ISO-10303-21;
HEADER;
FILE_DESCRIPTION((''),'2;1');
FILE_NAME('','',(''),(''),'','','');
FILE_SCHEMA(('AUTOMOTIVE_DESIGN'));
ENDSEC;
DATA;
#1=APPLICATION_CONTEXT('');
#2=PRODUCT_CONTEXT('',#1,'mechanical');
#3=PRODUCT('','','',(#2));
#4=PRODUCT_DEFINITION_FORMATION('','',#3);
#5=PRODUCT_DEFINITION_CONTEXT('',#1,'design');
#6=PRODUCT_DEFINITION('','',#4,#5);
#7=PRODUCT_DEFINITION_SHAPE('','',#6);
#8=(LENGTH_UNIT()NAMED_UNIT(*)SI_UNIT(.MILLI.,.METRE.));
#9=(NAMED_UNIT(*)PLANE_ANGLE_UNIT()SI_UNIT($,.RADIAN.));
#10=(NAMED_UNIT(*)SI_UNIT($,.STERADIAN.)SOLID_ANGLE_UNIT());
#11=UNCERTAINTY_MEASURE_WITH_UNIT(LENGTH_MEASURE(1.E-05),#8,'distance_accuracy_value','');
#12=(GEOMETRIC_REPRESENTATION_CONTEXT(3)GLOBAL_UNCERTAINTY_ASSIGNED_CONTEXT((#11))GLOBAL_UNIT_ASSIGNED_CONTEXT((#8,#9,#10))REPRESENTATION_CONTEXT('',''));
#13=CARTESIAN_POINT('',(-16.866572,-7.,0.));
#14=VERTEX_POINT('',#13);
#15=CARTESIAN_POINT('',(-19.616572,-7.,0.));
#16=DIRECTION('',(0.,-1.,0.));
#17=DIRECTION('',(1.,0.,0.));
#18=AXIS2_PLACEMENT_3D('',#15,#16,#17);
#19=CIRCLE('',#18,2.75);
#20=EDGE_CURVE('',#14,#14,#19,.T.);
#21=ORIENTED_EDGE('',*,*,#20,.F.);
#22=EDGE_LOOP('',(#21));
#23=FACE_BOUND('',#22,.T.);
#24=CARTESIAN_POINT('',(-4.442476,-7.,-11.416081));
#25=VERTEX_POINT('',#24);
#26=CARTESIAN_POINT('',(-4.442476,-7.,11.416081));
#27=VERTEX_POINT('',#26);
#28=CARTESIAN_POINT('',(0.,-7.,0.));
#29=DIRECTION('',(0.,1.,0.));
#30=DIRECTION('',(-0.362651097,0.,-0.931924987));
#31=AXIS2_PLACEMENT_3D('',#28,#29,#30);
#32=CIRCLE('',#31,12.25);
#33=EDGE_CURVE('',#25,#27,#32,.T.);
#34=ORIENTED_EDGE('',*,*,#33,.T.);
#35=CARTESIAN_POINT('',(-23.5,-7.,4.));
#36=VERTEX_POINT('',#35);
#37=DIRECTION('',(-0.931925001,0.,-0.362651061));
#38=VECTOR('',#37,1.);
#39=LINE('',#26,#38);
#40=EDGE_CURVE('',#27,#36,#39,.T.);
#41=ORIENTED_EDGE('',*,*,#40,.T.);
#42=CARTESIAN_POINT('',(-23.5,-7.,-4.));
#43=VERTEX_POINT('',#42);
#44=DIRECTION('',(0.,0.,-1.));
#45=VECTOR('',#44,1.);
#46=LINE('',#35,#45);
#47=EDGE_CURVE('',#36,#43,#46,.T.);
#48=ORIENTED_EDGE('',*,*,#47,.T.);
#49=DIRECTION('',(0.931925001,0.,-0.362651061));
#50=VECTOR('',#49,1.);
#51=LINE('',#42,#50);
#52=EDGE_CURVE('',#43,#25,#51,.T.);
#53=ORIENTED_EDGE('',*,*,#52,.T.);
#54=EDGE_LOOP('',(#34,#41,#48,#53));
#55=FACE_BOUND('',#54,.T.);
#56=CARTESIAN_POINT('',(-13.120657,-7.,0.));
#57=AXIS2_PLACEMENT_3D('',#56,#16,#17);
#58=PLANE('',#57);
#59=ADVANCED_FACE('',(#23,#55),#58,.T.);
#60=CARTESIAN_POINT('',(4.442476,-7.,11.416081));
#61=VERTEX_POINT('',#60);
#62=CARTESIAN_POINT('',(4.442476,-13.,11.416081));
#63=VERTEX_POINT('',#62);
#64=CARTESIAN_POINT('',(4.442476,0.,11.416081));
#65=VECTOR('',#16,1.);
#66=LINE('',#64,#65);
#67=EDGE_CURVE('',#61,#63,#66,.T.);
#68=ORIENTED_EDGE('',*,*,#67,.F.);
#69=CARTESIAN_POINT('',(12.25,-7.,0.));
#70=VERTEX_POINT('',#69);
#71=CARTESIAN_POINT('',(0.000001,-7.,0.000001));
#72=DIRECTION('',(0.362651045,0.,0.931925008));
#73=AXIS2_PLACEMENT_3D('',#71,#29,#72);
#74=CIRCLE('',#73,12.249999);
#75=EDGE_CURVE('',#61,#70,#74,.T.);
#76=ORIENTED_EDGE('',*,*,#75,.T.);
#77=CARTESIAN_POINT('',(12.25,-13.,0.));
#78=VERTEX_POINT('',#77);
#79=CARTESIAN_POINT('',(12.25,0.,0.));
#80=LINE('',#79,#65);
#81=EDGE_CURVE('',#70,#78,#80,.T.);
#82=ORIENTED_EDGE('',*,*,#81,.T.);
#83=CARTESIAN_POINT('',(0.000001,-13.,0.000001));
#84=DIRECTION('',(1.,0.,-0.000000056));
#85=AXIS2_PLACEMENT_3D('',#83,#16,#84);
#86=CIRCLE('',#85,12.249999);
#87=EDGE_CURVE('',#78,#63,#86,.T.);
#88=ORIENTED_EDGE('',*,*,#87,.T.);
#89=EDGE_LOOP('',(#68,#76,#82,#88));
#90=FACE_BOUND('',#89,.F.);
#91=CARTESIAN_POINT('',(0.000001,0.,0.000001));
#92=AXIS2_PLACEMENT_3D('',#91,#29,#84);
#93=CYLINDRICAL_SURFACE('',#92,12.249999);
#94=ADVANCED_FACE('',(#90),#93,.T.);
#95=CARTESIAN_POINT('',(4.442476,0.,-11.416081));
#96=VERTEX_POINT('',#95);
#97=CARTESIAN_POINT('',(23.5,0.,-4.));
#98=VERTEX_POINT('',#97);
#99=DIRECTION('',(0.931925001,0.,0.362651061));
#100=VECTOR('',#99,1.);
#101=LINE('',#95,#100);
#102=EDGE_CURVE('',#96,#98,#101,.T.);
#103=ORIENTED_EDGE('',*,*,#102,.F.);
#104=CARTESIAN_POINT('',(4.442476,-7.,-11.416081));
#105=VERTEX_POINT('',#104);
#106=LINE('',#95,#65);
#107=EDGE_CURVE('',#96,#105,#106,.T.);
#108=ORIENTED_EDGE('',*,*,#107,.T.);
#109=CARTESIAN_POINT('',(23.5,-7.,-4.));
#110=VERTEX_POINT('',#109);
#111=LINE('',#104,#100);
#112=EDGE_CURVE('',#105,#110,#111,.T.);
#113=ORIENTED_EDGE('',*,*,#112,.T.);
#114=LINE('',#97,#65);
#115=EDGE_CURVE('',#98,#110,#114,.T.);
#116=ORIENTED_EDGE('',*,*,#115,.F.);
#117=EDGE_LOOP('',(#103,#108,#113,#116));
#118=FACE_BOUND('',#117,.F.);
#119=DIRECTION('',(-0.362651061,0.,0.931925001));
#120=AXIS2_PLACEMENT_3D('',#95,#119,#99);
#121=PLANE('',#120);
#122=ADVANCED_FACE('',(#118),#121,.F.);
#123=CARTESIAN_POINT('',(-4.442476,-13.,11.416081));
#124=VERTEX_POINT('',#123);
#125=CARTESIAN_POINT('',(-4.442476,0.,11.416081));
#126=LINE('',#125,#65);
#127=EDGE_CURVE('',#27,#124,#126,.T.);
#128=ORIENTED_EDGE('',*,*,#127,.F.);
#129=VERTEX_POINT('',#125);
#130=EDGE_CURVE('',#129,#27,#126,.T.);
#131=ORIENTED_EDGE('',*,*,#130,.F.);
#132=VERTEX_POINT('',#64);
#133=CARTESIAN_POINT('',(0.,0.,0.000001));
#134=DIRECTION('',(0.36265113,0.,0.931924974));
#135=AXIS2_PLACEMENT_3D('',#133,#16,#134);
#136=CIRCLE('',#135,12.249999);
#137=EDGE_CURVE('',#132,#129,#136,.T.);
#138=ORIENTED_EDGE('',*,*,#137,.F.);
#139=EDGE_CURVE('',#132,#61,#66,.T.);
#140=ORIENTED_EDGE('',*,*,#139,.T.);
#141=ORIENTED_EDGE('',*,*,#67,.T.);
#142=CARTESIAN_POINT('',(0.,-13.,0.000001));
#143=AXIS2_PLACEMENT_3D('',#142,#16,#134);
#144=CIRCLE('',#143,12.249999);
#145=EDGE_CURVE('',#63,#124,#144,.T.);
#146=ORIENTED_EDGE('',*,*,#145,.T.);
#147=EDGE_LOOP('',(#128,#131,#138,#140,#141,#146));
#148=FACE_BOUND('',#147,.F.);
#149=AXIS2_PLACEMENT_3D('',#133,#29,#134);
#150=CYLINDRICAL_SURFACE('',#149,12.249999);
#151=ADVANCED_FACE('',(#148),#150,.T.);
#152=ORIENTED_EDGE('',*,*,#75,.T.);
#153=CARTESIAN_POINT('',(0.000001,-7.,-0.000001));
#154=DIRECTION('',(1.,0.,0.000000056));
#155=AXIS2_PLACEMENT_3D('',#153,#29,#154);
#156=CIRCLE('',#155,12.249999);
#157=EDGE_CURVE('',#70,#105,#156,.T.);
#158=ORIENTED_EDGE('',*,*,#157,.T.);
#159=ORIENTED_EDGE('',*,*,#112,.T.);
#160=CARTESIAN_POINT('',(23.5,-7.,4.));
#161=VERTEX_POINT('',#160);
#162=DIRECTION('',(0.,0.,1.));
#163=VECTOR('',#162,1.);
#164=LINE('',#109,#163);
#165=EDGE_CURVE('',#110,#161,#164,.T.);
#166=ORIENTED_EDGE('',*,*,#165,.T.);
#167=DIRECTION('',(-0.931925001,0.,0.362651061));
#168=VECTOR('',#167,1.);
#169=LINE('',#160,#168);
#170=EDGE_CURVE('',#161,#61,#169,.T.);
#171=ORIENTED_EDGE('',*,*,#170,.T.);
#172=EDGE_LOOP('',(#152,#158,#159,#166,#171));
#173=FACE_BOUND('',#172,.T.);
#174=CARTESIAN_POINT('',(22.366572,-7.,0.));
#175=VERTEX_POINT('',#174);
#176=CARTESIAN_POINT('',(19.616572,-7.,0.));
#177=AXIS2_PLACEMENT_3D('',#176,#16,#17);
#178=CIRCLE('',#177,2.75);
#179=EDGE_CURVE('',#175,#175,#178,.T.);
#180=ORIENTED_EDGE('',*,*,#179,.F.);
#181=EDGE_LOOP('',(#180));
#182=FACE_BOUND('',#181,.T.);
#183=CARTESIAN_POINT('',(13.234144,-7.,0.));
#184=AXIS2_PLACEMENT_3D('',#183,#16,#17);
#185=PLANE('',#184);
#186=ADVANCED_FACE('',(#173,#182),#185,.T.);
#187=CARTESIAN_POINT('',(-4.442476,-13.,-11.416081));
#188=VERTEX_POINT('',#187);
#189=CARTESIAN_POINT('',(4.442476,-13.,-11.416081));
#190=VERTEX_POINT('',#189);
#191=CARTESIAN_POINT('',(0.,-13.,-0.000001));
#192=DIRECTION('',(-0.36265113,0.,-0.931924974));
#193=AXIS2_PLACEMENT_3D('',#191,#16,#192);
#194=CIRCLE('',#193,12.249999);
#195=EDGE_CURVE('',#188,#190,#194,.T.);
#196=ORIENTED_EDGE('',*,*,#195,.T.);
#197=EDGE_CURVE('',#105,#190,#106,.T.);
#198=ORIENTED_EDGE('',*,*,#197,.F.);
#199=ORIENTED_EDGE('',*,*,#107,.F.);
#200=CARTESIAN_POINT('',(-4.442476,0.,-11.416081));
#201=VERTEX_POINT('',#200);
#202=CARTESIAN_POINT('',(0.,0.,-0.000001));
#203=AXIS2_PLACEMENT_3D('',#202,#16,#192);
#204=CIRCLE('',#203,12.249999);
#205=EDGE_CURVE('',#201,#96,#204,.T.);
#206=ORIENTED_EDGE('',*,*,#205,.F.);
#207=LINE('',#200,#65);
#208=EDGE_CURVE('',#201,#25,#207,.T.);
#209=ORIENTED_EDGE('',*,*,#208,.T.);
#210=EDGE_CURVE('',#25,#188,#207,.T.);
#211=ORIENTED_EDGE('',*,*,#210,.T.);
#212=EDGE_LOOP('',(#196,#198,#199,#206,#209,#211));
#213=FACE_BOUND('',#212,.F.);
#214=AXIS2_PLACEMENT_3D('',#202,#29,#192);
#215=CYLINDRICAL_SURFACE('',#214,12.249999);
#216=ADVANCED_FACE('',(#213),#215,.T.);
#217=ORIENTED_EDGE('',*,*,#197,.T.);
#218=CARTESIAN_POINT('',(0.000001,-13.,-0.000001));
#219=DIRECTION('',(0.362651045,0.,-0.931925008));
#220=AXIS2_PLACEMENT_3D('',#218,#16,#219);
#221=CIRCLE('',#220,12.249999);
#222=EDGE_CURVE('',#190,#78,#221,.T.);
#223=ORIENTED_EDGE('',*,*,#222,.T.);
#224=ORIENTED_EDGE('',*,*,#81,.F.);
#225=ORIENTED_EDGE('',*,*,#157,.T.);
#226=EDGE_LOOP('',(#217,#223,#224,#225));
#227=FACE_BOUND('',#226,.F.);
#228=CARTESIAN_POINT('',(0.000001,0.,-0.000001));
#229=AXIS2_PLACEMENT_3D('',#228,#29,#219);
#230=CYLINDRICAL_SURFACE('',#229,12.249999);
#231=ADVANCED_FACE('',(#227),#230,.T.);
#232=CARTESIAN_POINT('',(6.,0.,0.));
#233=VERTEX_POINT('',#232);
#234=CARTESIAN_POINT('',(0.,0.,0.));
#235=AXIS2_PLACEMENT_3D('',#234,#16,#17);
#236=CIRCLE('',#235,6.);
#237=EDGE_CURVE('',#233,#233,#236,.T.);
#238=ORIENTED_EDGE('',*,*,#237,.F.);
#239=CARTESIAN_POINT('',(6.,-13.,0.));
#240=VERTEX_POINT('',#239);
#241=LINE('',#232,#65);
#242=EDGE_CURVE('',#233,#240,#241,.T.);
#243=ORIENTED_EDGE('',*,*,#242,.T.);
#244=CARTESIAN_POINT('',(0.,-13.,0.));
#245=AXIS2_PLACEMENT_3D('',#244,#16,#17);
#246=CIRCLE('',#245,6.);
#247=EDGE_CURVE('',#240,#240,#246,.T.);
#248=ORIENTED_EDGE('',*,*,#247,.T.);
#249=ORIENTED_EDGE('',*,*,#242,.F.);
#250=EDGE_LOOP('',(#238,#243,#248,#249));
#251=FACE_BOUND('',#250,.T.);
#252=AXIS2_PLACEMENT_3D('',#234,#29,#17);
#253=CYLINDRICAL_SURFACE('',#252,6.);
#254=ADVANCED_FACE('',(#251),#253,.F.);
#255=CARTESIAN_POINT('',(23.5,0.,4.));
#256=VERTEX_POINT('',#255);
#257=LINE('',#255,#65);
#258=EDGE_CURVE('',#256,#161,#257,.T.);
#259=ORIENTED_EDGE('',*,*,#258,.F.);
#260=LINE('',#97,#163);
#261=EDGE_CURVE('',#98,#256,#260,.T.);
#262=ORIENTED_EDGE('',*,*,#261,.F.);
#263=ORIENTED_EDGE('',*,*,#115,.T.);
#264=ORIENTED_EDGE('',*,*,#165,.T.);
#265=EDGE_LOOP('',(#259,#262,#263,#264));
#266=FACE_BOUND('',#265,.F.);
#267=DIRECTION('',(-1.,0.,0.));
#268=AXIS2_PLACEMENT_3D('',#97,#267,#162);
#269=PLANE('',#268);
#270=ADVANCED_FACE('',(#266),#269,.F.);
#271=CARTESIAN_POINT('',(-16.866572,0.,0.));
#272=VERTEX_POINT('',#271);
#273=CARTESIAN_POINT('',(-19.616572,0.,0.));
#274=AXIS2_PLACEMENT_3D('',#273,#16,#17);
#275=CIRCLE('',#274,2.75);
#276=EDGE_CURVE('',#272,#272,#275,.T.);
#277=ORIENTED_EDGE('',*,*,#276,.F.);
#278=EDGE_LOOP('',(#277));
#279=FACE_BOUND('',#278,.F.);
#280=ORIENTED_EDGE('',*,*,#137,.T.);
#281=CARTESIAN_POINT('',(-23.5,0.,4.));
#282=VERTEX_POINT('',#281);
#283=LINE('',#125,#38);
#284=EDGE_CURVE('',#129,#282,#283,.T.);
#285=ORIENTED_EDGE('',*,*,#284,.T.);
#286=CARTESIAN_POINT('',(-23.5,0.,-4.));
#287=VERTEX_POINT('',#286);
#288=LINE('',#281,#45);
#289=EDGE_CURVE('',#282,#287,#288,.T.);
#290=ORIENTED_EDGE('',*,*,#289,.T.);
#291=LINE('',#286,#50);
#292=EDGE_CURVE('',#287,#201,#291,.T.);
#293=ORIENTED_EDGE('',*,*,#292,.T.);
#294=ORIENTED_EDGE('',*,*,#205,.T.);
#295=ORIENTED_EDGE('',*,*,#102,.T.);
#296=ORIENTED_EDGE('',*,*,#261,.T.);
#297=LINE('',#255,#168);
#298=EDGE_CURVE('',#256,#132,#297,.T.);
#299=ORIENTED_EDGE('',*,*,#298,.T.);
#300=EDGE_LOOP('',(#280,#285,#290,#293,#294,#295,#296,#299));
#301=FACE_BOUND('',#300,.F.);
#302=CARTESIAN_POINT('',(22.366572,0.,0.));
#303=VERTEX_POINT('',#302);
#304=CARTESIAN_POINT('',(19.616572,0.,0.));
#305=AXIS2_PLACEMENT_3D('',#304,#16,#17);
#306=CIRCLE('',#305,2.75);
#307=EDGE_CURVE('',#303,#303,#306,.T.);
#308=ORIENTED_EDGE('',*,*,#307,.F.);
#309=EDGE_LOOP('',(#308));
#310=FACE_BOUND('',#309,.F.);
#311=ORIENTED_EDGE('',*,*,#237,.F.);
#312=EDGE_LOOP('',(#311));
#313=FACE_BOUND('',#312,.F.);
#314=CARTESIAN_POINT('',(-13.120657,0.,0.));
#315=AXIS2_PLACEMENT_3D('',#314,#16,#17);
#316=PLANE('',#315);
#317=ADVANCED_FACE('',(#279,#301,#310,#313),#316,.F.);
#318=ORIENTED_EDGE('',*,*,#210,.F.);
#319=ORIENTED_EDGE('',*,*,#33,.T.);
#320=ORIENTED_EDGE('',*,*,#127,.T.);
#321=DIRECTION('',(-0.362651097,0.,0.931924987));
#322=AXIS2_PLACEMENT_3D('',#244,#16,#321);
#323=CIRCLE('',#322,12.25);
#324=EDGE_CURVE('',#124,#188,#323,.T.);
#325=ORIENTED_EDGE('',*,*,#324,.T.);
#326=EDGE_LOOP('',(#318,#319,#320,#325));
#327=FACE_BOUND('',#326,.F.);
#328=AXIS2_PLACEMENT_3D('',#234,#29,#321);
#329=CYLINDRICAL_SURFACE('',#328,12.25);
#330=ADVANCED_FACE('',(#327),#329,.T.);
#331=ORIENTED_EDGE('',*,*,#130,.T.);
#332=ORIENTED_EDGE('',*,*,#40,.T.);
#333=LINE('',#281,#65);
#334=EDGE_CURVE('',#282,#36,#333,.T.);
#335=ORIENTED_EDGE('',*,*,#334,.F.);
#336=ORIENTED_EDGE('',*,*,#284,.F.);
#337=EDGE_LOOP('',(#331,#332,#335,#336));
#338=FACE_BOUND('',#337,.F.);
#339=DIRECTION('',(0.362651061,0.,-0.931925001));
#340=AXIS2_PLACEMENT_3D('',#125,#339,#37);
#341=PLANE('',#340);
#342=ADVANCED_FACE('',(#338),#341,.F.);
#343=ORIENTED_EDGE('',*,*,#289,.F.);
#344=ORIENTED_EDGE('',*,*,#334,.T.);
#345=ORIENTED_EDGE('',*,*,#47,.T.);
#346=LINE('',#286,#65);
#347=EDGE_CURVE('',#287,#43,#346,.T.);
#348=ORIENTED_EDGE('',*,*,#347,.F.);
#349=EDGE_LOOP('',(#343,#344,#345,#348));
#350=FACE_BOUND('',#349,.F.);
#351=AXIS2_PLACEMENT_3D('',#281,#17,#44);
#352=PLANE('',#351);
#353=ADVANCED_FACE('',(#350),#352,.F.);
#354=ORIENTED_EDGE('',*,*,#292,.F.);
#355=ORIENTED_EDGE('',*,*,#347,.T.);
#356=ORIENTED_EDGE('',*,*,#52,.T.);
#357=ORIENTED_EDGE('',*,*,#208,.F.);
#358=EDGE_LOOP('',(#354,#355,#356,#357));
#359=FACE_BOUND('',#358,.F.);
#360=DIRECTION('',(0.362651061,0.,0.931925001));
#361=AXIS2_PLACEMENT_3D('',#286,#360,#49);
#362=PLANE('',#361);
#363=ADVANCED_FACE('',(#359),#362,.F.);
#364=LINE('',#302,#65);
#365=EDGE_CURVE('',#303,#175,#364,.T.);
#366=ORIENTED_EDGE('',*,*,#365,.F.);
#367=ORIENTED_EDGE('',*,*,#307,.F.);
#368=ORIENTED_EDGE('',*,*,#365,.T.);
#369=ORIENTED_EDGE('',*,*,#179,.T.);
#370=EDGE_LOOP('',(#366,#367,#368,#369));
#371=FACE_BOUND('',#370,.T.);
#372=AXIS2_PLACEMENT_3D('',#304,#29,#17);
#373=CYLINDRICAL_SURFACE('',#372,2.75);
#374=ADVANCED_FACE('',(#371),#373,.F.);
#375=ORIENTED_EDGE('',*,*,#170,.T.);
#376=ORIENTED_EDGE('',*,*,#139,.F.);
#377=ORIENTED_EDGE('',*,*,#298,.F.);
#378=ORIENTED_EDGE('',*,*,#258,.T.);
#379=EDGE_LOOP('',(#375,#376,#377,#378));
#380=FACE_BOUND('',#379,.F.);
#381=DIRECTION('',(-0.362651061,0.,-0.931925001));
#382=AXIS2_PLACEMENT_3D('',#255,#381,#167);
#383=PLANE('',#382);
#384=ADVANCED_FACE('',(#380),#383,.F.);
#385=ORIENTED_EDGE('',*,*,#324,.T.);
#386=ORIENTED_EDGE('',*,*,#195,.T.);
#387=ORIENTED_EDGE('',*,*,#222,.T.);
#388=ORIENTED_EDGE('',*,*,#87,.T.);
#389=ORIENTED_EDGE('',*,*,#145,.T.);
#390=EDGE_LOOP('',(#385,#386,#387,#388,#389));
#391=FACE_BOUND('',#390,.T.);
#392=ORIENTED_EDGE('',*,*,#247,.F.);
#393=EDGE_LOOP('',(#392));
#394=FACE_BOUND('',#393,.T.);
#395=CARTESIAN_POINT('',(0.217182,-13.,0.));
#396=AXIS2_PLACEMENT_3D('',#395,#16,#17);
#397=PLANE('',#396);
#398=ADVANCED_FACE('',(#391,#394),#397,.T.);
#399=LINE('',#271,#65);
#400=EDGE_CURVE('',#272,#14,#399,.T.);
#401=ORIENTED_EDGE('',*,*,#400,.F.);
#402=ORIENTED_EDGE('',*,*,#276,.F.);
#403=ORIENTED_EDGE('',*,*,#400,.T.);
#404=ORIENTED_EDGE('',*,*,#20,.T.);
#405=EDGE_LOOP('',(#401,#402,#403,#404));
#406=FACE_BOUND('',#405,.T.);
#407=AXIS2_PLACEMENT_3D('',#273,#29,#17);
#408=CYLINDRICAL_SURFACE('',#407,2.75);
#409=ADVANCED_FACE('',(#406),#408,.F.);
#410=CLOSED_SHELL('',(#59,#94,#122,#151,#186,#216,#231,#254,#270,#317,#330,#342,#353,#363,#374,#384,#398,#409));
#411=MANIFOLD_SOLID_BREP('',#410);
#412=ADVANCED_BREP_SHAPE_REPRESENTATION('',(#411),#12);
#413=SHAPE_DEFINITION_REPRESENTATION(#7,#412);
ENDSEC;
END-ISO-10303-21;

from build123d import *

# Parameters (mm, degrees)
F0_R     = 6
F1_DEPTH = 13
F0_R_2   = 2.75
F2_DEPTH = 7


with BuildPart() as f1:
    # F0 (on Front) → F1 (new body)
    with BuildSketch(Plane.XZ):
        with BuildLine():
            ThreePointArc((4.442476, -11.416081), (10.11145, -6.915279), (12.25, 0))
            ThreePointArc((12.25, 0), (10.11145, 6.915279), (4.442476, 11.416081))
            ThreePointArc((4.442476, 11.416081), (0, 12.25), (-4.442476, 11.416081))
            ThreePointArc((-4.442476, 11.416081), (-12.25, 0), (-4.442476, -11.416081))
            ThreePointArc((-4.442476, -11.416081), (0, -12.25), (4.442476, -11.416081))
        make_face()
        Circle(F0_R, mode=Mode.SUBTRACT)
    extrude(amount=F1_DEPTH)

    # F0 (on Front) → F2 (join)
    with BuildSketch(Plane.XZ):
        with BuildLine():
            ThreePointArc((-4.442476, -11.416081), (-12.25, 0), (-4.442476, 11.416081))
            Line((-4.442476, 11.416081), (-23.5, 4))
            Line((-23.5, 4), (-23.5, 0))
            Line((-23.5, 0), (-23.5, -4))
            Line((-23.5, -4), (-4.442476, -11.416081))
        make_face()
        with Locations((-19.616572, 0)):
            Circle(F0_R_2, mode=Mode.SUBTRACT)
        with BuildLine():
            ThreePointArc((4.442476, 11.416081), (10.11145, 6.915279), (12.25, 0))
            ThreePointArc((12.25, 0), (10.11145, -6.915279), (4.442476, -11.416081))
            Line((4.442476, -11.416081), (23.5, -4))
            Line((23.5, -4), (23.5, 0))
            Line((23.5, 0), (23.5, 4))
            Line((23.5, 4), (4.442476, 11.416081))
        make_face()
        with Locations((19.616572, 0)):
            Circle(F0_R_2, mode=Mode.SUBTRACT)
    extrude(amount=F2_DEPTH)


solid = f1.part
